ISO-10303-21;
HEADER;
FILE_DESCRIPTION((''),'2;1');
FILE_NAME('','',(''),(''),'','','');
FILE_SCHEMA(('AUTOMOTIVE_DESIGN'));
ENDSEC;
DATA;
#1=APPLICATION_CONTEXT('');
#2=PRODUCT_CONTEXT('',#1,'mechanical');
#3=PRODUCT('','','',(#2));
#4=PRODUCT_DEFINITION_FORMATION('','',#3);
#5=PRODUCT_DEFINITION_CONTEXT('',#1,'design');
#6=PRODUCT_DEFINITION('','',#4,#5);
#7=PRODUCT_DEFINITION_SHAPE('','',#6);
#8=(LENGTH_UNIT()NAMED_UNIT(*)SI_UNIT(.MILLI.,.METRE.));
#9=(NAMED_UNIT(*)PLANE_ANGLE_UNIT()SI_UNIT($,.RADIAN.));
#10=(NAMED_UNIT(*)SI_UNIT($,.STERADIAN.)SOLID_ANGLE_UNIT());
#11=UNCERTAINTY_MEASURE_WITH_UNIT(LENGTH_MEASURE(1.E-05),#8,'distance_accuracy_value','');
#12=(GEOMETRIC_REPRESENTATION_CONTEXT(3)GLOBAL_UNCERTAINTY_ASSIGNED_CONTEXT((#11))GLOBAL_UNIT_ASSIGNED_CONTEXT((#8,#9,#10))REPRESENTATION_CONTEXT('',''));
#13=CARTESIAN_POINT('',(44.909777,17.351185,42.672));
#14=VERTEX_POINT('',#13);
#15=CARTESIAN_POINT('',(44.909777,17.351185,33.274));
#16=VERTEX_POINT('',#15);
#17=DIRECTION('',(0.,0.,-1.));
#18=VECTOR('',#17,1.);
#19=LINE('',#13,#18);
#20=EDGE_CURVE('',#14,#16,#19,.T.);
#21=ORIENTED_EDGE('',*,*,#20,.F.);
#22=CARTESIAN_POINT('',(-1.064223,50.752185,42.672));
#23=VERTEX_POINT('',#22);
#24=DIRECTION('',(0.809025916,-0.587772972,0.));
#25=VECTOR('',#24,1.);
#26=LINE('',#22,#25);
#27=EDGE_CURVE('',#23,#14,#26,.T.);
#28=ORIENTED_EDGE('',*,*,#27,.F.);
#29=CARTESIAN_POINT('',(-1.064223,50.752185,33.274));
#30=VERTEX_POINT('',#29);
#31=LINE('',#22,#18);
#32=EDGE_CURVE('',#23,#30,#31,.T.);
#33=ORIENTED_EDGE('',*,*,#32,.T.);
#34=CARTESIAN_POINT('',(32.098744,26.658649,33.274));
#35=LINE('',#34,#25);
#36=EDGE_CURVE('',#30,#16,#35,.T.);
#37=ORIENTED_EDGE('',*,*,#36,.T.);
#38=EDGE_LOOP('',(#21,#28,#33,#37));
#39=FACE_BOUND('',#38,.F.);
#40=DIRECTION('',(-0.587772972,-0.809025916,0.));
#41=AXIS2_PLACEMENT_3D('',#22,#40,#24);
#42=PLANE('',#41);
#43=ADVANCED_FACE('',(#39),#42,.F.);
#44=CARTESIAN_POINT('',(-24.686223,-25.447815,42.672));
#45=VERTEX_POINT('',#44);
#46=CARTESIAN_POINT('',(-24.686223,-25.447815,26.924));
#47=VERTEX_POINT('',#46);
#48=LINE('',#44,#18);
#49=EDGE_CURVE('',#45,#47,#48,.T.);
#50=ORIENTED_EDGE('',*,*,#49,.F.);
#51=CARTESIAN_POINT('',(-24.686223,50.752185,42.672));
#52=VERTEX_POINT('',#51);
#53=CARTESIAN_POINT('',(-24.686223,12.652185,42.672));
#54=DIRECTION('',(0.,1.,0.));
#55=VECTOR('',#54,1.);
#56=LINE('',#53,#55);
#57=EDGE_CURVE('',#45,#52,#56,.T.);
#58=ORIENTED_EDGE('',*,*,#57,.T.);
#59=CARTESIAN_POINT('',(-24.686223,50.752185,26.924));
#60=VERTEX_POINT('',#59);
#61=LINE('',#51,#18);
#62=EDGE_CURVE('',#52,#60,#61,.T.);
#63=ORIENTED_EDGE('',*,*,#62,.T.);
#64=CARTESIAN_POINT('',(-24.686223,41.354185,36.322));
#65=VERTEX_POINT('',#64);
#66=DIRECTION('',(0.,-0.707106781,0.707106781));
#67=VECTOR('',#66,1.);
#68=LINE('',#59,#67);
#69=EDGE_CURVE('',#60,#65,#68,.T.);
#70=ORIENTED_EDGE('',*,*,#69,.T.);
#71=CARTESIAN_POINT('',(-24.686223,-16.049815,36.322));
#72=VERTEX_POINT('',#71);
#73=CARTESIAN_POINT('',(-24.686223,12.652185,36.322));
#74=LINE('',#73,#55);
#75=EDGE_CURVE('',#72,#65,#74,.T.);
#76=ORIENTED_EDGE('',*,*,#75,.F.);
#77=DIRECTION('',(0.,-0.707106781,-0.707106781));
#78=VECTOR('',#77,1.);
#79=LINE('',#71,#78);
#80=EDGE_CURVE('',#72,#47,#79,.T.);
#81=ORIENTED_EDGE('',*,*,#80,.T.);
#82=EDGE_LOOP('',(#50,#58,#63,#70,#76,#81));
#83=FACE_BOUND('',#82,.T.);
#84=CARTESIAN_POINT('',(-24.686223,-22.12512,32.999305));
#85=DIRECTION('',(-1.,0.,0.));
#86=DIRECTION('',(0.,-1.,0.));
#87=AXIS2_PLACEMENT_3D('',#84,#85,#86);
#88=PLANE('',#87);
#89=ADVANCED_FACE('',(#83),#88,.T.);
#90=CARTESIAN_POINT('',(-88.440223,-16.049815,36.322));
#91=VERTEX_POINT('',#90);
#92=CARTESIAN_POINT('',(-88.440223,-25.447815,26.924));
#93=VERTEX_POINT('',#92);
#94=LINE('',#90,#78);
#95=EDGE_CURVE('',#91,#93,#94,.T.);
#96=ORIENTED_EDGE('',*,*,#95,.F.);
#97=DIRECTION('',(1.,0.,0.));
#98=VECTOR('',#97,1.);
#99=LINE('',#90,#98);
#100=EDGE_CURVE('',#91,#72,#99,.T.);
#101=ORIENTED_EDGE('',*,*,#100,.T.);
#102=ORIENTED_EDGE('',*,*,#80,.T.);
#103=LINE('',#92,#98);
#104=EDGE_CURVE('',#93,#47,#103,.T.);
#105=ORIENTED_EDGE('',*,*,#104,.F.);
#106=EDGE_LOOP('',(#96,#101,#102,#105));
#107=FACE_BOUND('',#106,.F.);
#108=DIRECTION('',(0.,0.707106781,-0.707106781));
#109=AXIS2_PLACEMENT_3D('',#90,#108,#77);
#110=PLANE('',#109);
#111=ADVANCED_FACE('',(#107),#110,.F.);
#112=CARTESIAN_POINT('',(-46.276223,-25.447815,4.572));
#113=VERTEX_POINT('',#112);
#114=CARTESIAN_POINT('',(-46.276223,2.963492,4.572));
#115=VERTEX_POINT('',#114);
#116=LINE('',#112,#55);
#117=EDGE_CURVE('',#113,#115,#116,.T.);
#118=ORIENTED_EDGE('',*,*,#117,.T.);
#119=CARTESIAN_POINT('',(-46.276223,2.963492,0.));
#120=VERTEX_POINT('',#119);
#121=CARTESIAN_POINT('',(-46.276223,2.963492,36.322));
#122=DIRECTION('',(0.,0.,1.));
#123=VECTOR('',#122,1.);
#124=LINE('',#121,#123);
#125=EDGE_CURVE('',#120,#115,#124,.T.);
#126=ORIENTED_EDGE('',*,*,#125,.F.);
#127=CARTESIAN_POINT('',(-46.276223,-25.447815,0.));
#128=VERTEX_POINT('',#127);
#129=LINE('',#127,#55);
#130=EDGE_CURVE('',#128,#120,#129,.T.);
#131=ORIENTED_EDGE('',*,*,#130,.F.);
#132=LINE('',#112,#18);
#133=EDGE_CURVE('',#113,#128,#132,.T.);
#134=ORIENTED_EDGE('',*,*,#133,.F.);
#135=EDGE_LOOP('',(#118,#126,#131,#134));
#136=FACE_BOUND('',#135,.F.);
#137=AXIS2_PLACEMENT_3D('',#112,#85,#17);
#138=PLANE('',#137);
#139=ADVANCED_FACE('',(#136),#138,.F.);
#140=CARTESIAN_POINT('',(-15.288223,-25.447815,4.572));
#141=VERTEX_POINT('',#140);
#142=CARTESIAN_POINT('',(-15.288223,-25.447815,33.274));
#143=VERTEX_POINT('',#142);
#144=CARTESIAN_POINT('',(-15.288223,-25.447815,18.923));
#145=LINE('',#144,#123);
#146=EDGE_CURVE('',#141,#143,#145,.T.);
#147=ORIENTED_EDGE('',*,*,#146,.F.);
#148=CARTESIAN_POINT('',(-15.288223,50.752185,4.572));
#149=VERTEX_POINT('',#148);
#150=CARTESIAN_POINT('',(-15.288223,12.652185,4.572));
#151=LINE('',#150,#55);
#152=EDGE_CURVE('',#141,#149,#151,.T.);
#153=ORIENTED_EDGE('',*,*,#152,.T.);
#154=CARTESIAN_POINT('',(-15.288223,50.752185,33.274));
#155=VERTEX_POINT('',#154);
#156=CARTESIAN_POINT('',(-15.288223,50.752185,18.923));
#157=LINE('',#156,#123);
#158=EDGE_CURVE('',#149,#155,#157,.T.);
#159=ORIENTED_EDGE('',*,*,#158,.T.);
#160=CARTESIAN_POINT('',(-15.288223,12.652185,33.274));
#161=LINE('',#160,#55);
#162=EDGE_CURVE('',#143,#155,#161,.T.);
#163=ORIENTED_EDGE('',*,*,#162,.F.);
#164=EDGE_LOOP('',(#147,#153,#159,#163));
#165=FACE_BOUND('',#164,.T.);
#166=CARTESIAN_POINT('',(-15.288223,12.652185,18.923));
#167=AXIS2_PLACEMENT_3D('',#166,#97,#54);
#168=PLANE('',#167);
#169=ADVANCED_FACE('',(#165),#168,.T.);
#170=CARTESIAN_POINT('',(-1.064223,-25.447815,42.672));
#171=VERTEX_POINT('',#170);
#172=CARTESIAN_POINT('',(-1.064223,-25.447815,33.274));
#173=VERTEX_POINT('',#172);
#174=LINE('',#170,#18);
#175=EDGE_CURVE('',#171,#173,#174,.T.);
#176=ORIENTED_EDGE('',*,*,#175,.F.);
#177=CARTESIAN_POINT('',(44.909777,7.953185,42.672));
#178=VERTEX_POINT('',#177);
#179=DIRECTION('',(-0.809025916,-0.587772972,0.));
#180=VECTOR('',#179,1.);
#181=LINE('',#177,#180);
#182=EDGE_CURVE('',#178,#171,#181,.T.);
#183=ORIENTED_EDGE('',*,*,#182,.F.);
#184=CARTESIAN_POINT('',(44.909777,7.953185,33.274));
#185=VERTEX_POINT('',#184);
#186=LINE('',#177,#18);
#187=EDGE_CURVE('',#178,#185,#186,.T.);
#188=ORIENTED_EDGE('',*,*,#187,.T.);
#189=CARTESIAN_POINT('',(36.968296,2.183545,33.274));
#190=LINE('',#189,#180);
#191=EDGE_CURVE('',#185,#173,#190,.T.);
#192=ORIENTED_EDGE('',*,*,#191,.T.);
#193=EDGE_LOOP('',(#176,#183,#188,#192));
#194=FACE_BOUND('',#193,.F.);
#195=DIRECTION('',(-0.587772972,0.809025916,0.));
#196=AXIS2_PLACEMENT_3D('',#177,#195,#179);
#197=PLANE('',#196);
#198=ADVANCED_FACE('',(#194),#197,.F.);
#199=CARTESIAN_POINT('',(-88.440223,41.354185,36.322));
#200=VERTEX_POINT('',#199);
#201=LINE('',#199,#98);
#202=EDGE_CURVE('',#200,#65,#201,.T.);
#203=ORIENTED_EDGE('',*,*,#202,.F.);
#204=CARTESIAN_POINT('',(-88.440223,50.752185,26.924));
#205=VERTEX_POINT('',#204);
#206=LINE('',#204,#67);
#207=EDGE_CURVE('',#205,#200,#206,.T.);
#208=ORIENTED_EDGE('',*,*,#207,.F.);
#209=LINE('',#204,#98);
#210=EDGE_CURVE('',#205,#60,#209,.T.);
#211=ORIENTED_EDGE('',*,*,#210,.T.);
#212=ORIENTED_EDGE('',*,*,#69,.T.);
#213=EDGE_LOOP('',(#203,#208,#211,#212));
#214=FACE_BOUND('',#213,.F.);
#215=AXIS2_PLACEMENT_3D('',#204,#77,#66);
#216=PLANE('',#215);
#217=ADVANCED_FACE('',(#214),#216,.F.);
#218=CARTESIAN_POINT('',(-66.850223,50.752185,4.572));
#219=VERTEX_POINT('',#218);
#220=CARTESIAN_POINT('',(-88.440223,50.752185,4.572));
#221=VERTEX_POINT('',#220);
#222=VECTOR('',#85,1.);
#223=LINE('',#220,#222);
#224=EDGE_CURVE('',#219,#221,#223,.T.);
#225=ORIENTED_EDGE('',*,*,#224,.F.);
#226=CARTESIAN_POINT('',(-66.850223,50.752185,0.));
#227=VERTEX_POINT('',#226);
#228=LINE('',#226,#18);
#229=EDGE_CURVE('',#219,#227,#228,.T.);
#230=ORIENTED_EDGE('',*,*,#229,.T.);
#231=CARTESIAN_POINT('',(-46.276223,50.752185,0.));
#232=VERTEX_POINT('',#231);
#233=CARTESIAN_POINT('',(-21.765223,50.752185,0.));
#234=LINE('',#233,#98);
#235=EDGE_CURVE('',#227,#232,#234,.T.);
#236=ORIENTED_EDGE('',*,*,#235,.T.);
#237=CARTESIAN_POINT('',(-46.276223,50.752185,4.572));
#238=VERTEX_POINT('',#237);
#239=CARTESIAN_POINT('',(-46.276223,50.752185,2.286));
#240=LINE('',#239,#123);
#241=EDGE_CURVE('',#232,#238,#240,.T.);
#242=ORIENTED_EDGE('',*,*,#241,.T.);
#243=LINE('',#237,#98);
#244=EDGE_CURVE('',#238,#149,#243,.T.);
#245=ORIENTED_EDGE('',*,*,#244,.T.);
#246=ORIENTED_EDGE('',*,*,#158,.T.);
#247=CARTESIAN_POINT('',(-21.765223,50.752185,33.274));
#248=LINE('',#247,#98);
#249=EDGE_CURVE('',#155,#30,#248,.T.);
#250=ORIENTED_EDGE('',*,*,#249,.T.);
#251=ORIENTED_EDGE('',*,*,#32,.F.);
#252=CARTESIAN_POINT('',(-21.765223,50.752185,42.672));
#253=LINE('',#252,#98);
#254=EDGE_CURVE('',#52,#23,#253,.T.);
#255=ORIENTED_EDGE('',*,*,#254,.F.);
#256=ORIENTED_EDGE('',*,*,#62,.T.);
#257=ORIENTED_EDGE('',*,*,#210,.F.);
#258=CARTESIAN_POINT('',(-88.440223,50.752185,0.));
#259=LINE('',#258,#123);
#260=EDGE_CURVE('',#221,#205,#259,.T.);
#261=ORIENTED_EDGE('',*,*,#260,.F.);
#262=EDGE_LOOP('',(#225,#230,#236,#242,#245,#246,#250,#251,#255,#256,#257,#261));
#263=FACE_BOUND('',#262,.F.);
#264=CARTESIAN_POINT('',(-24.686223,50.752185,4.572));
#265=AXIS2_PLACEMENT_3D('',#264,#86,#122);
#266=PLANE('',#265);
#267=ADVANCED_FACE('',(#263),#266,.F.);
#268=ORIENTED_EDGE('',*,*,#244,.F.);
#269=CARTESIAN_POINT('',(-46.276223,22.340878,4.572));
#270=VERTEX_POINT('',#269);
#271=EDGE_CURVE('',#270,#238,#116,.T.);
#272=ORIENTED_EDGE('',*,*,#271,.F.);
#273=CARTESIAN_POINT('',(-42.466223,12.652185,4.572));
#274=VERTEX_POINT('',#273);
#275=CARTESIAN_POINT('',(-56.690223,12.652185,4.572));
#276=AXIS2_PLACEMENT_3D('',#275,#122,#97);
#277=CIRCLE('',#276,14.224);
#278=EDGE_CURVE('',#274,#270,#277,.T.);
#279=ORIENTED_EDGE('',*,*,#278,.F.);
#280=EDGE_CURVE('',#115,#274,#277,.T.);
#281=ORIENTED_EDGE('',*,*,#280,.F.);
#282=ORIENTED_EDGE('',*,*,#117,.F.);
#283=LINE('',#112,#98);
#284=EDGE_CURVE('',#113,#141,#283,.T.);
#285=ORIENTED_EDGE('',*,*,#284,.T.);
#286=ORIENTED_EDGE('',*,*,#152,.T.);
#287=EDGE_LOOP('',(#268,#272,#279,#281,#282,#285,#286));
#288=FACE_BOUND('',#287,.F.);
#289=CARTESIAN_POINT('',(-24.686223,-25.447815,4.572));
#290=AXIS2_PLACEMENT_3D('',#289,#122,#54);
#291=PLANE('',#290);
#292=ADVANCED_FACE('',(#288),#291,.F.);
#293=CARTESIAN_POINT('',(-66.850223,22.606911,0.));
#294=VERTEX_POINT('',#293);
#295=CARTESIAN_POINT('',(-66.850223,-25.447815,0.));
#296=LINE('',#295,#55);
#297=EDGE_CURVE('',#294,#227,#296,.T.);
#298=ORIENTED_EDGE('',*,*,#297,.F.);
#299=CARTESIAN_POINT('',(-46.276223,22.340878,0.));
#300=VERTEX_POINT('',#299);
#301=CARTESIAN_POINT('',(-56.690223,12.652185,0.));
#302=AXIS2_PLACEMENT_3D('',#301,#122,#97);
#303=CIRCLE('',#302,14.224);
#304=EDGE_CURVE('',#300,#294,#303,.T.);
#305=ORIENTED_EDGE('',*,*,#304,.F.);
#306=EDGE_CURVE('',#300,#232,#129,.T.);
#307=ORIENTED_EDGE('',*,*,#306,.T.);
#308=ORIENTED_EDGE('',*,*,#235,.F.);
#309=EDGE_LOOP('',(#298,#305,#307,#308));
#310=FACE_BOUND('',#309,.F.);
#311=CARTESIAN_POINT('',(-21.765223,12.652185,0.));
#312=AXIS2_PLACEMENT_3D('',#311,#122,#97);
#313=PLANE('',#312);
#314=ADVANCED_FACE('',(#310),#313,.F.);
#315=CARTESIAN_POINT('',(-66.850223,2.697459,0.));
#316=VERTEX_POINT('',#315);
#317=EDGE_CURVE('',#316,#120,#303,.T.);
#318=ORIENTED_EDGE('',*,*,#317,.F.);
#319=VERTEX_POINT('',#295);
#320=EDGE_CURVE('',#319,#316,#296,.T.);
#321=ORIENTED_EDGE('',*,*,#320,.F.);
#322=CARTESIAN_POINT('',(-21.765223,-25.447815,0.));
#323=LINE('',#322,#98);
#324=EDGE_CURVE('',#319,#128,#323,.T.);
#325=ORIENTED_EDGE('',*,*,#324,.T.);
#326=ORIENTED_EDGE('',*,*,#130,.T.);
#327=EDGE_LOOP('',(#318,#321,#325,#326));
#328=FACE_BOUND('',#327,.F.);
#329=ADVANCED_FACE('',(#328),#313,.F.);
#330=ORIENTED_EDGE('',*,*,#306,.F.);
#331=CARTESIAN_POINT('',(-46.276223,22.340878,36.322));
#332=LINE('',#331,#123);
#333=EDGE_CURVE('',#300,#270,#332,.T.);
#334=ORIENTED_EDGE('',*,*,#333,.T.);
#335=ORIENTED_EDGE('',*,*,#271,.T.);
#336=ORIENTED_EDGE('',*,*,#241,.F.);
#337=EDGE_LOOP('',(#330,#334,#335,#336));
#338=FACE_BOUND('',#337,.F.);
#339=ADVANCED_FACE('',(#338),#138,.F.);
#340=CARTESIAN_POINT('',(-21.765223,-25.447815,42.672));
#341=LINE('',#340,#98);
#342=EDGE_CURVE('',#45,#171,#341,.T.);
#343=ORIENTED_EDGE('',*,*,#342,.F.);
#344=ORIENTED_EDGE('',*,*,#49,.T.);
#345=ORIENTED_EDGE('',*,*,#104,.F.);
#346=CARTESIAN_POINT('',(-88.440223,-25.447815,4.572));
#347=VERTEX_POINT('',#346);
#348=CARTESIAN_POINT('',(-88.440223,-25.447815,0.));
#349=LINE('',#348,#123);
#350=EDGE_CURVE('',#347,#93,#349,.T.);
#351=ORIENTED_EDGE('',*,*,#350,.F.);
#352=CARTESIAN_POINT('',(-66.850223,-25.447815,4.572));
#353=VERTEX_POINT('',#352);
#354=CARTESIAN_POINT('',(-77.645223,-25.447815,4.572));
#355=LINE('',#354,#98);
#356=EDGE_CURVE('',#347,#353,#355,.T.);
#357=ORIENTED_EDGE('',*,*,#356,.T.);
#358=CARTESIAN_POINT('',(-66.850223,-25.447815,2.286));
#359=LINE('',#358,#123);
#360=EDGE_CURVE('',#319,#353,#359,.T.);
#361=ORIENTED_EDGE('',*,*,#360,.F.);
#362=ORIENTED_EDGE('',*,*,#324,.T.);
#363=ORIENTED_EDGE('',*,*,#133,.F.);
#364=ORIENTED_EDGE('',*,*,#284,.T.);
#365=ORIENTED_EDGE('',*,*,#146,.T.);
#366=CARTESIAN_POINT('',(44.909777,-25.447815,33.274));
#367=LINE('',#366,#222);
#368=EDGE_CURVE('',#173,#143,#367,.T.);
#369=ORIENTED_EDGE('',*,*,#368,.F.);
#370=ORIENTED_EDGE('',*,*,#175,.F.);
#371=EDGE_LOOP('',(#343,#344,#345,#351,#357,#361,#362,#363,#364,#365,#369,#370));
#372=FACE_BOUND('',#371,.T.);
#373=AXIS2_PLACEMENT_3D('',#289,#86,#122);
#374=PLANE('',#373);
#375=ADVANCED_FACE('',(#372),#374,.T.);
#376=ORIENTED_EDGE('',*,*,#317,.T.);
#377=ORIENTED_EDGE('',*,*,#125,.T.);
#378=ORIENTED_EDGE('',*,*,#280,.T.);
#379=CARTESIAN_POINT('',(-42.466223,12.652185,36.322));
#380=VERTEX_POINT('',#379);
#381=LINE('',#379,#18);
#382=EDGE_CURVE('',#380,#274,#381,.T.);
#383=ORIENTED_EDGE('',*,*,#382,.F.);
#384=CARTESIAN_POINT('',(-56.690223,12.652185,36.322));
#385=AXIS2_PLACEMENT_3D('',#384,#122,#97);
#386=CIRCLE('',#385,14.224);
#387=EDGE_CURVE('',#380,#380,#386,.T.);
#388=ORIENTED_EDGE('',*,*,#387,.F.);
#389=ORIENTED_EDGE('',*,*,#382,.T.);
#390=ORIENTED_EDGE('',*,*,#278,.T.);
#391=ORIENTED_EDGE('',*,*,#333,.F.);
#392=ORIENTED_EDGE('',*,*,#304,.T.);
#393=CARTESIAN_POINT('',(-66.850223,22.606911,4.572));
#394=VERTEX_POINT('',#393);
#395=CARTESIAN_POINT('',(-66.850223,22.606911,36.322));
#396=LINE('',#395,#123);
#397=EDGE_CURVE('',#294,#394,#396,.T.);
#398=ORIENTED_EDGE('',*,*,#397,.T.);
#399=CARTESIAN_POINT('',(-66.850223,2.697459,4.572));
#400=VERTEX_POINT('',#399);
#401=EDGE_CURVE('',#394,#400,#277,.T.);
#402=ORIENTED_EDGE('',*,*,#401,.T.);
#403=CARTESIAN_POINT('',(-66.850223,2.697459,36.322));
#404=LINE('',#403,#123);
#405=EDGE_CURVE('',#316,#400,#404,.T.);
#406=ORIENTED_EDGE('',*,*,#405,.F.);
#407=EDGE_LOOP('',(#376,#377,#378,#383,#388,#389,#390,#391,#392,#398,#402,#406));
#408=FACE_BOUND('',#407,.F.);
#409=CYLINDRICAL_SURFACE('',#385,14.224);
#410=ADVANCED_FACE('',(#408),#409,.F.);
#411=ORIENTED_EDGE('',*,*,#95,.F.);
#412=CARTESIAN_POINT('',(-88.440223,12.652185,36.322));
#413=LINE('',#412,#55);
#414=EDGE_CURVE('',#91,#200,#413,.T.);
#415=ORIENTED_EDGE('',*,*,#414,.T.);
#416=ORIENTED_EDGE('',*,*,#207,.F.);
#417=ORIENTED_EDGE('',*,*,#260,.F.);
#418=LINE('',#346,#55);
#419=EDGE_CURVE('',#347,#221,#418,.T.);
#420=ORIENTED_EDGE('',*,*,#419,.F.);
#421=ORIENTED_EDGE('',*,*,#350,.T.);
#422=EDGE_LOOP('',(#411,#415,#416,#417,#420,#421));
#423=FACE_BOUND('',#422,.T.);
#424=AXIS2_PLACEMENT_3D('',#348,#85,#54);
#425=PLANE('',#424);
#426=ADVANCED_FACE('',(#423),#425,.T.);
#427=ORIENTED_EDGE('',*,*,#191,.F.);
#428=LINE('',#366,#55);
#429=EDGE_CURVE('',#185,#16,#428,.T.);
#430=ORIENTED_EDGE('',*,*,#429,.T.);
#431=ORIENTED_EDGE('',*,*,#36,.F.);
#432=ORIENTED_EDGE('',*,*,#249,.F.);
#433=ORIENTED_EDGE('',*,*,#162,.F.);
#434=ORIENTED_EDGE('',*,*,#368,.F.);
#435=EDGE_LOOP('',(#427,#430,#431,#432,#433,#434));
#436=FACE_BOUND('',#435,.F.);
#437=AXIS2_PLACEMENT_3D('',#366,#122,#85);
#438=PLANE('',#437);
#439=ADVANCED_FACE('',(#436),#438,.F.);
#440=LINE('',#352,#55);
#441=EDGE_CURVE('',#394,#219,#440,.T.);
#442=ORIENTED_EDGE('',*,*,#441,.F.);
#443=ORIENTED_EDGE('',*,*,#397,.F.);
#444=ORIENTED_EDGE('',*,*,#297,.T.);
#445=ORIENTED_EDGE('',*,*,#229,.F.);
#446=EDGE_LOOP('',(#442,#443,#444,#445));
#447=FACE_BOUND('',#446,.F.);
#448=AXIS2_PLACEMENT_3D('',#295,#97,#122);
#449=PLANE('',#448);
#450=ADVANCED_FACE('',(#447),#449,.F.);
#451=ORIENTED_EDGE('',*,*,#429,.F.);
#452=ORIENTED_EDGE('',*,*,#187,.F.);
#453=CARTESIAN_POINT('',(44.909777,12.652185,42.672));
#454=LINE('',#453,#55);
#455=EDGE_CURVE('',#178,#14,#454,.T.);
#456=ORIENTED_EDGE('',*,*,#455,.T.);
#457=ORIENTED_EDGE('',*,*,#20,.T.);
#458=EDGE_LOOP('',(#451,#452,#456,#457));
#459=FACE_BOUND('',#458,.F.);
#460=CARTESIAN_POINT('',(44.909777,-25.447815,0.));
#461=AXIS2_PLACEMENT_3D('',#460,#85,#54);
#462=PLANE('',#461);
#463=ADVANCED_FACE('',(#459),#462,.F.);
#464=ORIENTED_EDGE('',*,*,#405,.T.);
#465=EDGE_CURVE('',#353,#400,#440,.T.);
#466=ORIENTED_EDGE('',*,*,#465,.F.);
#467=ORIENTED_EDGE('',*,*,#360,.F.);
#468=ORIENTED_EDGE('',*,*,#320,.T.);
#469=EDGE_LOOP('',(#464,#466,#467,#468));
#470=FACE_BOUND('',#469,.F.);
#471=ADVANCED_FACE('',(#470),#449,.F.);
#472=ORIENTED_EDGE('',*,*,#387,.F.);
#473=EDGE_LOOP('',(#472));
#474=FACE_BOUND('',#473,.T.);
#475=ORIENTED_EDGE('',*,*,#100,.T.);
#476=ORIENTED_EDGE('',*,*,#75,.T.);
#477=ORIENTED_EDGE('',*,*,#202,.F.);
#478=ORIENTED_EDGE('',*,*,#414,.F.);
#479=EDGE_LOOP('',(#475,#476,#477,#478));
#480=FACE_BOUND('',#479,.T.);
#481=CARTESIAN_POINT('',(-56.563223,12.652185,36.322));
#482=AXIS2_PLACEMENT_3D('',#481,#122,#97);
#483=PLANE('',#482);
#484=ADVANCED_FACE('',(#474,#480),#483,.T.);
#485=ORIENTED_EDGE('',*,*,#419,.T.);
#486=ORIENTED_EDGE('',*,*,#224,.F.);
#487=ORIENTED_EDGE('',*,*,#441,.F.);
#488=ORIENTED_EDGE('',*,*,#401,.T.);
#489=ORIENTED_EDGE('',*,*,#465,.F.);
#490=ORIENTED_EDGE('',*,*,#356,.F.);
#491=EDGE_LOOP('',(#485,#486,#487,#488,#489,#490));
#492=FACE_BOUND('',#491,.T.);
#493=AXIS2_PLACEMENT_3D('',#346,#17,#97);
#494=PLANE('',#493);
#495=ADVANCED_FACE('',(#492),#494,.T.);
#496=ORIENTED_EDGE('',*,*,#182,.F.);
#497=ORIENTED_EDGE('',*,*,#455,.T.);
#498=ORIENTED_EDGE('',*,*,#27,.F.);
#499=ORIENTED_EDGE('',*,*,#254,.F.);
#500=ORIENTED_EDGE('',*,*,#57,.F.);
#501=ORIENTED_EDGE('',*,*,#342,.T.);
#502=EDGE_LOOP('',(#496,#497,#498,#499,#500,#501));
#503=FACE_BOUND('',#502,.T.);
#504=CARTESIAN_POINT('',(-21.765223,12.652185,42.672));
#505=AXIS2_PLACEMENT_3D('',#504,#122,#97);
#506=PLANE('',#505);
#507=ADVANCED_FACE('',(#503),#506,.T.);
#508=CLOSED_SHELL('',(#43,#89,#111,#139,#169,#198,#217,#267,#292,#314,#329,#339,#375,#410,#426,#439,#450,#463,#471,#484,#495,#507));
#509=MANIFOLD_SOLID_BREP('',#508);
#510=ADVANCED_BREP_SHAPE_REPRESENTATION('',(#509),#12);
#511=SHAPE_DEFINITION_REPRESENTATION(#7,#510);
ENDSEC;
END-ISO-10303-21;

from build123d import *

# Parameters (mm, degrees)
F0_W      = 133.35
F0_H      = 76.2
F1_DEPTH  = 42.672
F2_W      = 21.59
F2_H      = 4.572
F3_DEPTH  = 76.201
F5_DEPTH  = 42.673
F4_W      = 63.754
F4_H      = 76.2
F6_DEPTH  = 6.35
F3_FACE_W = 76.2
F3_FACE_H = 28.702
F7_DEPTH  = 9.398
F9_DEPTH  = 63.754
F10_R     = 14.224
F11_DEPTH = 36.323


with BuildPart() as f1:
    # F0 (on Top) → F1 (new body)
    with BuildSketch(Plane.XY):
        with Locations((-21.765223, 12.652185)):
            Rectangle(F0_W, F0_H)
    extrude(amount=F1_DEPTH)

    # F2 (on face) → F3 (cut, through all)
    with BuildSketch(Plane.XZ.offset(25.447815)):
        with Locations((-77.645223, 2.286)):
            Rectangle(F2_W, F2_H)
        Polygon((44.909777, 0), (44.909777, 33.274), (-24.686223, 33.274), (-24.686223, 4.572), (-46.276223, 4.572), (-46.276223, 0), align=None)
    extrude(amount=-F3_DEPTH, mode=Mode.SUBTRACT)

    # F4 (on face) → F5 (cut, through all)
    with BuildSketch(Plane.XY.offset(42.672)):
        Polygon((44.909777, 50.752185), (-1.064223, 50.752185), (44.909777, 17.351185), align=None)
        Polygon((44.909777, 7.953185), (-1.064223, -25.447815), (44.909777, -25.447815), align=None)
    extrude(amount=-F5_DEPTH, mode=Mode.SUBTRACT)

    # F4 (on face) → F6 (cut)
    with BuildSketch(Plane.XY.offset(42.672)):
        with Locations((-56.563223, 12.652185)):
            Rectangle(F4_W, F4_H)
    extrude(amount=-F6_DEPTH, mode=Mode.SUBTRACT)

    # F3_face (on face) → F7 (join)
    with BuildSketch(Plane(origin=(-24.686223, 12.652185, 18.923), x_dir=(0, 1, 0), z_dir=(1, 0, 0))):
        Rectangle(F3_FACE_W, F3_FACE_H)
    extrude(amount=F7_DEPTH)

    # F8 (on face) → F9 (cut)
    with BuildSketch(Plane(origin=(-88.440223, 0, 0), x_dir=(0, -1, 0), z_dir=(-1, 0, 0))):
        Polygon((-50.752185, 26.924), (-41.354185, 36.322), (-50.752185, 36.322), align=None)
        Polygon((25.447815, 36.322), (16.049815, 36.322), (25.447815, 26.924), align=None)
    extrude(amount=-F9_DEPTH, mode=Mode.SUBTRACT)

    # F10 (on face) → F11 (cut, through all)
    with BuildSketch(Plane.XY.offset(36.322)):
        with Locations((-56.690223, 12.652185)):
            Circle(F10_R)
    extrude(amount=-F11_DEPTH, mode=Mode.SUBTRACT)


solid = f1.part
